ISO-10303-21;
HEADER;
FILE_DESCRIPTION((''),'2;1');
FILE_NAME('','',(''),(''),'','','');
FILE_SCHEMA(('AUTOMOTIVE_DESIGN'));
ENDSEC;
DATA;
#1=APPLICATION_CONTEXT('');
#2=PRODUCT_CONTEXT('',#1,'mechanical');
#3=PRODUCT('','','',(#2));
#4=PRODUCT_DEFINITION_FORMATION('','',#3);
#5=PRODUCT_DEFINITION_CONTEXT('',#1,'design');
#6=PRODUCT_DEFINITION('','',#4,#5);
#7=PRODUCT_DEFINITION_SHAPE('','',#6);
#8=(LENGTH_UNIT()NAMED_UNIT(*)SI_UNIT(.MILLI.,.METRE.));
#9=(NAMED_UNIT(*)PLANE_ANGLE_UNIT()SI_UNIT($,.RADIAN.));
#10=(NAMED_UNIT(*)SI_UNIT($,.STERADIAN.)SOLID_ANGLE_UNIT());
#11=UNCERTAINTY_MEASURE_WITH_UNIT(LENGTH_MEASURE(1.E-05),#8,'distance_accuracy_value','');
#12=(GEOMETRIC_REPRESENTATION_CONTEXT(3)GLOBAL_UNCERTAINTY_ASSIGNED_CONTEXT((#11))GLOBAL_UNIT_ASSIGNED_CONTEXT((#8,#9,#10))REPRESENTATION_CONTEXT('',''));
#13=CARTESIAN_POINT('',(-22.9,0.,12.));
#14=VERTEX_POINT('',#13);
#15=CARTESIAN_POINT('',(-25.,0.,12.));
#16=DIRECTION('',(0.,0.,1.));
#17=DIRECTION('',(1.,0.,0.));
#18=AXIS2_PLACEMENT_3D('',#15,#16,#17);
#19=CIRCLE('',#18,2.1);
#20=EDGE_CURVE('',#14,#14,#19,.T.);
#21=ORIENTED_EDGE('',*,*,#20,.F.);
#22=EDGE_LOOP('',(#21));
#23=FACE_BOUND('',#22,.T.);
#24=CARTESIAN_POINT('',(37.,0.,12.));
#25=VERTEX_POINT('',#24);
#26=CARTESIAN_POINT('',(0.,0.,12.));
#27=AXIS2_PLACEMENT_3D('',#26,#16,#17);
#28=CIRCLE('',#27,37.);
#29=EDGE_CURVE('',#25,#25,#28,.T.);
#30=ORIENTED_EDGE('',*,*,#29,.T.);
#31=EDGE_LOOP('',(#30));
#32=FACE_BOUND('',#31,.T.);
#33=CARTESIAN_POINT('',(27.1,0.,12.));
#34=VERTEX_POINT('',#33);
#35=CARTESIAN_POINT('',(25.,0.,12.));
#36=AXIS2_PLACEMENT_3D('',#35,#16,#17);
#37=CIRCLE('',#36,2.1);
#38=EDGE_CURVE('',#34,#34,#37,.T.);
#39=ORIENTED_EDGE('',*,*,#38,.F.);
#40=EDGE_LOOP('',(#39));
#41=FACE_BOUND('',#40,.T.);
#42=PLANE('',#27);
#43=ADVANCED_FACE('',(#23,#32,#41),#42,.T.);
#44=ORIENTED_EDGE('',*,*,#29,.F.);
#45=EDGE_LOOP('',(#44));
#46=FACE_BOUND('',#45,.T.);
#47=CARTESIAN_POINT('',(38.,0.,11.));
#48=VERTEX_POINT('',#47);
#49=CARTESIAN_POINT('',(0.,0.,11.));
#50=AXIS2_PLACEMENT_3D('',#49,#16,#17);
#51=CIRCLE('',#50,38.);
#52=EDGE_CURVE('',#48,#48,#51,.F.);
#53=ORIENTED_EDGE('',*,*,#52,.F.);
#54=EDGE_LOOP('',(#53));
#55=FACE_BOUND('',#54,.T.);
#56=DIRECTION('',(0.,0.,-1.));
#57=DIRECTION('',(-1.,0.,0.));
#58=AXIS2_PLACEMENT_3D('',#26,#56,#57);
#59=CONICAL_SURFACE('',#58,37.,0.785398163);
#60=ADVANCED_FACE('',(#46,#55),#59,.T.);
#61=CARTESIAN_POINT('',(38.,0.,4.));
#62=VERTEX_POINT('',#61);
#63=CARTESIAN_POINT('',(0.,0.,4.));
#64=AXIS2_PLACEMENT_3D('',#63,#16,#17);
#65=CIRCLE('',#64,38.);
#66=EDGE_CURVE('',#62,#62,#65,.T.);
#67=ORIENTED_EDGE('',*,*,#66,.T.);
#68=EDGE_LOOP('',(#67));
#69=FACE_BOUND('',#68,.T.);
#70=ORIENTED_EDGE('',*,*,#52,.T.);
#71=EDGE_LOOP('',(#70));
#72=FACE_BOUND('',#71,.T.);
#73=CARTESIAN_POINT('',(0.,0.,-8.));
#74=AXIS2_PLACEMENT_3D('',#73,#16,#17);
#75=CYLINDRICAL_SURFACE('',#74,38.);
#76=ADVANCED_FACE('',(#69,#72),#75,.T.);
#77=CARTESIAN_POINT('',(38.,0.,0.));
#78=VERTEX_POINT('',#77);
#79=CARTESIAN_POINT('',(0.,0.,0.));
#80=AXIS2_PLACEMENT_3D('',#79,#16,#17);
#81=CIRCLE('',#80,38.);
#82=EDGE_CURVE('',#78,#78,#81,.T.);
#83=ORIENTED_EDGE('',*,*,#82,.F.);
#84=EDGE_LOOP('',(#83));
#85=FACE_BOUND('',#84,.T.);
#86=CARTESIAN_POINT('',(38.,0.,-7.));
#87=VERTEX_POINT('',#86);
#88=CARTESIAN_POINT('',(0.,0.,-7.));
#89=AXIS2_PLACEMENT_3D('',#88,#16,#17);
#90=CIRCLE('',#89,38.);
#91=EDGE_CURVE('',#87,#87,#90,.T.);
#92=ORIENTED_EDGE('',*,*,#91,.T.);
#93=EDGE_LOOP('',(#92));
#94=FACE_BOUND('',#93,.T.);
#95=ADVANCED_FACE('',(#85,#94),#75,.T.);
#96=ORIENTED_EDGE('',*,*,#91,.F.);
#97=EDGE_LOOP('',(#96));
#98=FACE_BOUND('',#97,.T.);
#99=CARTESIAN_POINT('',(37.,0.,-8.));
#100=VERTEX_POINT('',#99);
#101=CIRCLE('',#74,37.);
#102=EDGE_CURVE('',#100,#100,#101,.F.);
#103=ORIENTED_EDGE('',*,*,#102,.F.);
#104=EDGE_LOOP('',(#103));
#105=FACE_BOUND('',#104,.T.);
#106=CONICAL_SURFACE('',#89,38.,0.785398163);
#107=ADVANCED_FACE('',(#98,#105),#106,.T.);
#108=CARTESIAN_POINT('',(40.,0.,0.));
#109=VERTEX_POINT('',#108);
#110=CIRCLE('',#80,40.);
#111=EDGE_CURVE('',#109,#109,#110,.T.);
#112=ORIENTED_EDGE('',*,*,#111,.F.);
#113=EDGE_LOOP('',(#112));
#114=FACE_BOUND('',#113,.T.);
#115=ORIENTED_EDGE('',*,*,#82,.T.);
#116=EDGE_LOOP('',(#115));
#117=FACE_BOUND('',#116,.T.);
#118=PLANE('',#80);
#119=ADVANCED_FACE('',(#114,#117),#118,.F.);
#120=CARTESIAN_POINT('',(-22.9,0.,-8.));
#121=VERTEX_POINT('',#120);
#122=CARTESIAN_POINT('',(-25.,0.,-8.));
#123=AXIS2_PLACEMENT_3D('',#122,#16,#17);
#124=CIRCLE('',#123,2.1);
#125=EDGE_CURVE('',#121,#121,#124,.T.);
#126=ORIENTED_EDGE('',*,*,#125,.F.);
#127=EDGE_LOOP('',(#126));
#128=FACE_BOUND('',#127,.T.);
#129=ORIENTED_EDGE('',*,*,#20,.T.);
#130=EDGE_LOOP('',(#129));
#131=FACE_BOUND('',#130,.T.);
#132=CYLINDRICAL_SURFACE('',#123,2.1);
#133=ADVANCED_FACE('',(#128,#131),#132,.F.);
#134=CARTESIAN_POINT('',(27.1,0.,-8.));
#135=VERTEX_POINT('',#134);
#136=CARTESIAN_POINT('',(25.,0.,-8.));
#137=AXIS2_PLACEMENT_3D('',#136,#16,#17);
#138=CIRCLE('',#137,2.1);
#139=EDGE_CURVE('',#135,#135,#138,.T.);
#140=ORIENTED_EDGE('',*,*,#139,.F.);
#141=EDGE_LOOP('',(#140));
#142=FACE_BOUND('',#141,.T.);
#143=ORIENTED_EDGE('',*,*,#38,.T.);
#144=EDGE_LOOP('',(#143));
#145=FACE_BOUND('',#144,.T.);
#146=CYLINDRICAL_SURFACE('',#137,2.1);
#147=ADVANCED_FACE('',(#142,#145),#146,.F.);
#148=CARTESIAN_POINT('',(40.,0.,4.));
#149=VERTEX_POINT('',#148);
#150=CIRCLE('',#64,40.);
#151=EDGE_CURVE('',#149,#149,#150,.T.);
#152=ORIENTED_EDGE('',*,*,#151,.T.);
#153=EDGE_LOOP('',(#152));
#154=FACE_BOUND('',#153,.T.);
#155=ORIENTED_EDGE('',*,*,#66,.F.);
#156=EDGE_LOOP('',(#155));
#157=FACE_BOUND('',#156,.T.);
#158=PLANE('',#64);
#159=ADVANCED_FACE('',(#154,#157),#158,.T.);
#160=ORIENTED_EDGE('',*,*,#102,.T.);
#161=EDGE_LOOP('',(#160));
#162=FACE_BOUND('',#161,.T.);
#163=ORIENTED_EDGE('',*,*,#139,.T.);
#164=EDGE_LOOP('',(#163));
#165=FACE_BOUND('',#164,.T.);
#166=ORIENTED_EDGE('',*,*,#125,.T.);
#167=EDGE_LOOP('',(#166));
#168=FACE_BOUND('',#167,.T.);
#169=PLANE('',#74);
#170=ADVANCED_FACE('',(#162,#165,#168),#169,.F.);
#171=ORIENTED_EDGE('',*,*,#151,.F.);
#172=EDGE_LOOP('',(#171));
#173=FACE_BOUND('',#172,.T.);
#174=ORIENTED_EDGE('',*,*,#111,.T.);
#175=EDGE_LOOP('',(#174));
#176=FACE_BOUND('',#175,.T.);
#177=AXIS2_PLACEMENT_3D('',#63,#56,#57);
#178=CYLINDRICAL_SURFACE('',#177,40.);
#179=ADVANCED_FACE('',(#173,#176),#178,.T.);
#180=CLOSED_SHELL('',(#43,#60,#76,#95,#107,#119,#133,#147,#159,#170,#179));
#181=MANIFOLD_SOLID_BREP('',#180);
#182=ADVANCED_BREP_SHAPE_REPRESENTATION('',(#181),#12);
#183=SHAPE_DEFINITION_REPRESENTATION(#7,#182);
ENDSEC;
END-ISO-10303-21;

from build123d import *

# Parameters (mm, degrees)
ESQUISSE1_R             = 40
BOSS_EXTRU_1_DEPTH      = 4
ESQUISSE2_R             = 38
BOSS_EXTRU_2_DEPTH      = 8
BOSS_EXTRU_2_DEPTH_BACK = 12
CHANFREIN1_SIZE         = 1
ESQUISSE3_R             = 2.1
ENL_V_MAT_EXTRU_1_DEPTH = 21


with BuildPart() as part:
    # Esquisse1 → Boss.-Extru.1 (new body)
    with BuildSketch(Plane.XY):
        Circle(ESQUISSE1_R)
    extrude(amount=BOSS_EXTRU_1_DEPTH)

    # Esquisse2 → Boss.-Extru.2 (add, two sides)
    with BuildSketch(Plane.XY.offset(4)) as boss_extru_2_sk:
        Circle(ESQUISSE2_R)
    extrude(amount=BOSS_EXTRU_2_DEPTH)
    extrude(boss_extru_2_sk.sketch, amount=-BOSS_EXTRU_2_DEPTH_BACK)

    # Chanfrein1
    chanfrein1_edges = [part.edges().sort_by_distance(p)[0] for p in [
        (-38, 0, -8),
        (-38, 0, 12),
    ]]
    chamfer(chanfrein1_edges, length=CHANFREIN1_SIZE)

    # Esquisse3 → Enlèv. mat.-Extru.1 (cut, through all)
    with BuildSketch(Plane.XY.offset(12)):
        with Locations((25, 0)):
            Circle(ESQUISSE3_R)
        with Locations((-25, 0)):
            Circle(ESQUISSE3_R)
    extrude(amount=-ENL_V_MAT_EXTRU_1_DEPTH, mode=Mode.SUBTRACT)


solid = part.part
